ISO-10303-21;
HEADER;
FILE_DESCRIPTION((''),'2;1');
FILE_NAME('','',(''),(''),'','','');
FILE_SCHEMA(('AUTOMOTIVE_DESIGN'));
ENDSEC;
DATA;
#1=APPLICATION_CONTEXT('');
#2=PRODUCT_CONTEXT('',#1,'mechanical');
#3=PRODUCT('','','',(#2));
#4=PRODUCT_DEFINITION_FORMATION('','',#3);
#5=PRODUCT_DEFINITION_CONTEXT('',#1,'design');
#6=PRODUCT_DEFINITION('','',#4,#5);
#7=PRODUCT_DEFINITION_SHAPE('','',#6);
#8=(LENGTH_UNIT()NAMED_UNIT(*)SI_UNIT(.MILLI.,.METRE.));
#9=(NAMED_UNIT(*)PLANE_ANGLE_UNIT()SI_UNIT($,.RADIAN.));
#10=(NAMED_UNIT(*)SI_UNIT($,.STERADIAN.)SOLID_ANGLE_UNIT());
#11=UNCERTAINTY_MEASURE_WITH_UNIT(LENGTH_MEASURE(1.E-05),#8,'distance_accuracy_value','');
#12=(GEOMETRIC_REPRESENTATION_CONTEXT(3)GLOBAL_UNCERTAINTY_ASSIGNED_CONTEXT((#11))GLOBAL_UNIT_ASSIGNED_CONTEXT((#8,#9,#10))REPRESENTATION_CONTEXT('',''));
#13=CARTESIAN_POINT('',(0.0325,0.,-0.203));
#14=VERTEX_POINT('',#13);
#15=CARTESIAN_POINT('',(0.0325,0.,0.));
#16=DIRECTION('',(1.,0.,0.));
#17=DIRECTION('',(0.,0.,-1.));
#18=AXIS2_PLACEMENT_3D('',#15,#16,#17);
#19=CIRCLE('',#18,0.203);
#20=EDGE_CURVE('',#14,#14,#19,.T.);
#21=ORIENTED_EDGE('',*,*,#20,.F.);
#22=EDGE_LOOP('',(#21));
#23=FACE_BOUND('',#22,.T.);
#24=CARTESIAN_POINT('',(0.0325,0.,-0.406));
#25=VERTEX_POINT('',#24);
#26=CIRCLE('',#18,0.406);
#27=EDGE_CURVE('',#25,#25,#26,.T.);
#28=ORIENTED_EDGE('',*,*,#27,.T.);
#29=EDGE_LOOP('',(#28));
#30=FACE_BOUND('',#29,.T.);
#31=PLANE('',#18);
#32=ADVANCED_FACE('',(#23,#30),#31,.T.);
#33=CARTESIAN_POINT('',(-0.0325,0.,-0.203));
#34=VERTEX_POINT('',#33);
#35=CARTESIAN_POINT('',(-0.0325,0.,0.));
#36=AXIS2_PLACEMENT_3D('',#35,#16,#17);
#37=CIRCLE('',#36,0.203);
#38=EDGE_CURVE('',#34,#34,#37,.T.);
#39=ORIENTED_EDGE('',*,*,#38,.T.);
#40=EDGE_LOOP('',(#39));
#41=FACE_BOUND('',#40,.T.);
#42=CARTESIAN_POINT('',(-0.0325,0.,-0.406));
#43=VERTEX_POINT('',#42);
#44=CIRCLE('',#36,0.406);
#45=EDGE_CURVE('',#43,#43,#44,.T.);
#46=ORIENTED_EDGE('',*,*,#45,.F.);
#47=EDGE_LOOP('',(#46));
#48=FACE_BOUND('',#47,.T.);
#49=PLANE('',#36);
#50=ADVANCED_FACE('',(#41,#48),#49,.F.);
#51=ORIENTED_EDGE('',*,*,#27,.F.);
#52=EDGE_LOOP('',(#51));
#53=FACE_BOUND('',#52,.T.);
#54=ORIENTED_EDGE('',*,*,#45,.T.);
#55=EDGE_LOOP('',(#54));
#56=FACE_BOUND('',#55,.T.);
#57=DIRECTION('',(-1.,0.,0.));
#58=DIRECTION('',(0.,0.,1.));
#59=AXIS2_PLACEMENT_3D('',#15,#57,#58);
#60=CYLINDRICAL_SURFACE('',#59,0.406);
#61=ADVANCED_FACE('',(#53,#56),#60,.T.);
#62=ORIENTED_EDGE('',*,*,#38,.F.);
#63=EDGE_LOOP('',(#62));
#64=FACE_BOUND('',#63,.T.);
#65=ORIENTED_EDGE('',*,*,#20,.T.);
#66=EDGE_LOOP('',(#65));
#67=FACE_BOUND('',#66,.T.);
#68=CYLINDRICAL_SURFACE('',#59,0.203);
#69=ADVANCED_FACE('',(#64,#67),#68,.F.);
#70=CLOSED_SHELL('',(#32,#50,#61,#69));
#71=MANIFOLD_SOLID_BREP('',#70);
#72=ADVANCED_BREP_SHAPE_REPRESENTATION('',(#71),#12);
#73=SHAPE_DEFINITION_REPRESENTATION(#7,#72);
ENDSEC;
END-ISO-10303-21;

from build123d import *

# Parameters (mm, degrees)
SKETCH1_R           = 0.406
SKETCH1_R_2         = 0.203
BOSS_EXTRUDE1_DEPTH = 0.0325


with BuildPart() as part:
    # Sketch1 → Boss-Extrude1 (new body, symmetric)
    with BuildSketch(Plane(origin=(0, 0, 0), x_dir=(0, 0, -1), z_dir=(1, 0, 0))):
        Circle(SKETCH1_R)
        Circle(SKETCH1_R_2, mode=Mode.SUBTRACT)
    extrude(amount=BOSS_EXTRUDE1_DEPTH, both=True)


solid = part.part
